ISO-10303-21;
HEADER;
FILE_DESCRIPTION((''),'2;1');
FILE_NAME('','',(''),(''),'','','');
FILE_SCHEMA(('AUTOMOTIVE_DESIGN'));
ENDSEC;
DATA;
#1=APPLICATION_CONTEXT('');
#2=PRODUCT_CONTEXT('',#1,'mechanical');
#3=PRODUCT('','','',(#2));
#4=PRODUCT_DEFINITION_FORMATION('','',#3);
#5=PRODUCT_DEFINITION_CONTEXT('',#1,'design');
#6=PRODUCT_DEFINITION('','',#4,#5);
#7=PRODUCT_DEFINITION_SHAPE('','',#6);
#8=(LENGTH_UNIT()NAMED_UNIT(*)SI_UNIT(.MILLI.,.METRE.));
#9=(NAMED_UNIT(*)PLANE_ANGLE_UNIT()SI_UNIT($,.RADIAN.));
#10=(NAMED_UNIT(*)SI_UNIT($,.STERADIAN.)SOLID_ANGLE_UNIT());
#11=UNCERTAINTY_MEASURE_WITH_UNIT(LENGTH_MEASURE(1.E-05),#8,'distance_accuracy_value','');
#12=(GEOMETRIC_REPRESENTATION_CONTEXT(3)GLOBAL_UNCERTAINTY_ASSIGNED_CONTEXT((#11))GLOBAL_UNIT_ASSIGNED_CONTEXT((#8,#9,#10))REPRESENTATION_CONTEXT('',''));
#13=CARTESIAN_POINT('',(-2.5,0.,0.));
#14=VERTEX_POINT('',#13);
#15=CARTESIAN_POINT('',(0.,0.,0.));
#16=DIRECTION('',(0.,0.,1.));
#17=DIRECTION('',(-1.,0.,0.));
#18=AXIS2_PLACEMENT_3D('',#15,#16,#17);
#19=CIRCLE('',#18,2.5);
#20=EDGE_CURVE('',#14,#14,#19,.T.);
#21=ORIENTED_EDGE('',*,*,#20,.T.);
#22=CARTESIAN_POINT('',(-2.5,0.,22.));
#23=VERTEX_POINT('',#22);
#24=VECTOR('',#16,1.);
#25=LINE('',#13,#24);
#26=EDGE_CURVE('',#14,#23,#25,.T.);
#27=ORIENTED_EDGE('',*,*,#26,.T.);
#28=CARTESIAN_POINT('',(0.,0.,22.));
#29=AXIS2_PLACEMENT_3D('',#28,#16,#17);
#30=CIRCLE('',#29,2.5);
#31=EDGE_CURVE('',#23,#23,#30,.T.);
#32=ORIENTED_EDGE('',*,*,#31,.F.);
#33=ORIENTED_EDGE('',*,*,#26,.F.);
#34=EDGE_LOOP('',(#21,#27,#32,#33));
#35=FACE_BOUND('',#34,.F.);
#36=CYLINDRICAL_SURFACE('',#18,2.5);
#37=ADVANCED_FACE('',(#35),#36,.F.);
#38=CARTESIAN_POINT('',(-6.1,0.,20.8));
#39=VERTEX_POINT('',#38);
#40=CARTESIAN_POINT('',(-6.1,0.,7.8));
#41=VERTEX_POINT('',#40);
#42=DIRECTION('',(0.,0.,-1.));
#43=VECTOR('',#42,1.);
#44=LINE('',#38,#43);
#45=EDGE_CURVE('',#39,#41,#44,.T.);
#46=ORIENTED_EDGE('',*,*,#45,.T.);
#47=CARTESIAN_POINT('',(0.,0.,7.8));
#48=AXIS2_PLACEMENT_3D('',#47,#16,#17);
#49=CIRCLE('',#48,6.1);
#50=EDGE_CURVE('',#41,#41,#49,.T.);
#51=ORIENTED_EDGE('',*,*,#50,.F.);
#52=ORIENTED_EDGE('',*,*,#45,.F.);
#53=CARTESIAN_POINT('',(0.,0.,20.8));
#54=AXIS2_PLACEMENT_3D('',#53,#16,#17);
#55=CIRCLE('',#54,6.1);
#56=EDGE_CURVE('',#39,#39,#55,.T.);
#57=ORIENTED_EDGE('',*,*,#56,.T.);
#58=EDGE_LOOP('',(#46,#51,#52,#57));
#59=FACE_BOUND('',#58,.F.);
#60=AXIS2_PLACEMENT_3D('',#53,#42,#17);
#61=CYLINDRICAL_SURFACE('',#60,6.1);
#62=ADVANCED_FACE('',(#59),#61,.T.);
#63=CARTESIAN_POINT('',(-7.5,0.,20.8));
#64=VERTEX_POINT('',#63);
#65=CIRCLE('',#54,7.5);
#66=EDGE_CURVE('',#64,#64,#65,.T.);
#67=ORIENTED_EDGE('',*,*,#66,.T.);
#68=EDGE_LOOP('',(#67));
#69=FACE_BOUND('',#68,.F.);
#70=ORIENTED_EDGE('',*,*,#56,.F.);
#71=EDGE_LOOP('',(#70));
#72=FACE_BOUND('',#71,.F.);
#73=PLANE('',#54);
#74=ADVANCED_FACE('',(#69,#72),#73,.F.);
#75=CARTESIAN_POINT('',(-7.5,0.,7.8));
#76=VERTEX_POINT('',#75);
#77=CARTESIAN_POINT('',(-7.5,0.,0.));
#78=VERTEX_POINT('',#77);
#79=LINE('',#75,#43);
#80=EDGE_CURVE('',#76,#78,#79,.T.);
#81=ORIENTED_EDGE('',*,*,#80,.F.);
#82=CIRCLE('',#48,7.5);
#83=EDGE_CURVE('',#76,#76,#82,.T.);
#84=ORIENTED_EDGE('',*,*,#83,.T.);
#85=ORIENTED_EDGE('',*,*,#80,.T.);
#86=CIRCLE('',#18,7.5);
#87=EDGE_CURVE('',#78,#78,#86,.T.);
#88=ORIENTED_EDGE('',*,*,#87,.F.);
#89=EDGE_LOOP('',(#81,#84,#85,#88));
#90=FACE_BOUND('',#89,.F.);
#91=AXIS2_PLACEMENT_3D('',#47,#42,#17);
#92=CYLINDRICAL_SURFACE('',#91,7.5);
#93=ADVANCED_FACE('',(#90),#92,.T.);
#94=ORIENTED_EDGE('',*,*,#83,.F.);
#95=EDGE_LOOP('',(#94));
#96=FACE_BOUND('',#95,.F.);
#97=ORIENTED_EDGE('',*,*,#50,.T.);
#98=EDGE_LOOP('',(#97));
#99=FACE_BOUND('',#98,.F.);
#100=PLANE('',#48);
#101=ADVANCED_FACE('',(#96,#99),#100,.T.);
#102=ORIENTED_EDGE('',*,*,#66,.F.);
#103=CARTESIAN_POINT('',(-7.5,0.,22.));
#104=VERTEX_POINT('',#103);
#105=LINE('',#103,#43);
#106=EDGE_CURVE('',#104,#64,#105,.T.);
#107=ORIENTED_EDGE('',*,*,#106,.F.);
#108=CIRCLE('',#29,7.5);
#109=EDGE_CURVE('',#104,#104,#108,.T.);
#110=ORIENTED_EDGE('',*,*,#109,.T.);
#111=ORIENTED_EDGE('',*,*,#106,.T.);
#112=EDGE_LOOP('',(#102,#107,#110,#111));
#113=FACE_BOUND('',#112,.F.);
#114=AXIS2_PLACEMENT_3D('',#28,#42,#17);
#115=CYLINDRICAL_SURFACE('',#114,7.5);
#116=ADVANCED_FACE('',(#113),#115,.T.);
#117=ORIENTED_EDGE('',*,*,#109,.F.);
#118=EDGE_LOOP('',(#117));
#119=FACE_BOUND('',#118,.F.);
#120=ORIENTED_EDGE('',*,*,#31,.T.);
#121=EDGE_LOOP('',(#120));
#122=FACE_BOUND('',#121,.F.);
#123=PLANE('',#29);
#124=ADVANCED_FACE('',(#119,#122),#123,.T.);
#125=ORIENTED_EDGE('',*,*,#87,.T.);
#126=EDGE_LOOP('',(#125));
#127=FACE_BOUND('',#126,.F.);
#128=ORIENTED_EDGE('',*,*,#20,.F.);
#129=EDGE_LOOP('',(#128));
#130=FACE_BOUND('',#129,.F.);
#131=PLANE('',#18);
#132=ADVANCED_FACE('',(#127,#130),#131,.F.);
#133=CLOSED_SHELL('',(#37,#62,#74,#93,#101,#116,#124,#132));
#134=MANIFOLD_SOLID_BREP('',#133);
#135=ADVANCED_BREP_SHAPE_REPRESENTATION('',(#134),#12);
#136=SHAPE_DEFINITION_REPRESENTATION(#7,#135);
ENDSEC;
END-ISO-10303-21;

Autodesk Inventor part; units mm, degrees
ref_plane "YZ Plane" through (0, 0, 0) normal (1, 0, 0) x (0, 1, 0)
ref_plane "XZ Plane" through (0, 0, 0) normal (0, 1, 0) x (-1, 0, 0)
ref_plane "XY Plane" through (0, 0, 0) normal (0, 0, 1) x (1, 0, 0)
sketch "Sketch1" plane through (0, 0, 0) normal (0, 1, 0) x (-1, 0, 0)
  line L0 (0, 0) -> (0, 22)
  line L1 (2.5, 0) -> (2.5, 22)
  line L2 (2.5, 22) -> (7.5, 22)
  line L3 (7.5, 22) -> (7.5, 20.8)
  line L4 (7.5, 20.8) -> (6.1, 20.8)
  line L5 (6.1, 20.8) -> (6.1, 7.8)
  line L6 (6.1, 7.8) -> (7.5, 7.8)
  line L7 (7.5, 7.8) -> (7.5, 0)
  line L8 (7.5, 0) -> (2.5, 0)
  dimension "d0" = 22
  dimension "d1" = 2.5
  dimension "d2" = 7.5
  dimension "d3" = 6.1
  dimension "d4" = 1.2
  dimension "d5" = 7.8
revolve "Revolution1" add sketch "Sketch1" angle 360 about axis through (0, 0, 0) along (0, 0, 1)
properties part number "Belt_Pulley_20T" material "Aluminum 6061"
